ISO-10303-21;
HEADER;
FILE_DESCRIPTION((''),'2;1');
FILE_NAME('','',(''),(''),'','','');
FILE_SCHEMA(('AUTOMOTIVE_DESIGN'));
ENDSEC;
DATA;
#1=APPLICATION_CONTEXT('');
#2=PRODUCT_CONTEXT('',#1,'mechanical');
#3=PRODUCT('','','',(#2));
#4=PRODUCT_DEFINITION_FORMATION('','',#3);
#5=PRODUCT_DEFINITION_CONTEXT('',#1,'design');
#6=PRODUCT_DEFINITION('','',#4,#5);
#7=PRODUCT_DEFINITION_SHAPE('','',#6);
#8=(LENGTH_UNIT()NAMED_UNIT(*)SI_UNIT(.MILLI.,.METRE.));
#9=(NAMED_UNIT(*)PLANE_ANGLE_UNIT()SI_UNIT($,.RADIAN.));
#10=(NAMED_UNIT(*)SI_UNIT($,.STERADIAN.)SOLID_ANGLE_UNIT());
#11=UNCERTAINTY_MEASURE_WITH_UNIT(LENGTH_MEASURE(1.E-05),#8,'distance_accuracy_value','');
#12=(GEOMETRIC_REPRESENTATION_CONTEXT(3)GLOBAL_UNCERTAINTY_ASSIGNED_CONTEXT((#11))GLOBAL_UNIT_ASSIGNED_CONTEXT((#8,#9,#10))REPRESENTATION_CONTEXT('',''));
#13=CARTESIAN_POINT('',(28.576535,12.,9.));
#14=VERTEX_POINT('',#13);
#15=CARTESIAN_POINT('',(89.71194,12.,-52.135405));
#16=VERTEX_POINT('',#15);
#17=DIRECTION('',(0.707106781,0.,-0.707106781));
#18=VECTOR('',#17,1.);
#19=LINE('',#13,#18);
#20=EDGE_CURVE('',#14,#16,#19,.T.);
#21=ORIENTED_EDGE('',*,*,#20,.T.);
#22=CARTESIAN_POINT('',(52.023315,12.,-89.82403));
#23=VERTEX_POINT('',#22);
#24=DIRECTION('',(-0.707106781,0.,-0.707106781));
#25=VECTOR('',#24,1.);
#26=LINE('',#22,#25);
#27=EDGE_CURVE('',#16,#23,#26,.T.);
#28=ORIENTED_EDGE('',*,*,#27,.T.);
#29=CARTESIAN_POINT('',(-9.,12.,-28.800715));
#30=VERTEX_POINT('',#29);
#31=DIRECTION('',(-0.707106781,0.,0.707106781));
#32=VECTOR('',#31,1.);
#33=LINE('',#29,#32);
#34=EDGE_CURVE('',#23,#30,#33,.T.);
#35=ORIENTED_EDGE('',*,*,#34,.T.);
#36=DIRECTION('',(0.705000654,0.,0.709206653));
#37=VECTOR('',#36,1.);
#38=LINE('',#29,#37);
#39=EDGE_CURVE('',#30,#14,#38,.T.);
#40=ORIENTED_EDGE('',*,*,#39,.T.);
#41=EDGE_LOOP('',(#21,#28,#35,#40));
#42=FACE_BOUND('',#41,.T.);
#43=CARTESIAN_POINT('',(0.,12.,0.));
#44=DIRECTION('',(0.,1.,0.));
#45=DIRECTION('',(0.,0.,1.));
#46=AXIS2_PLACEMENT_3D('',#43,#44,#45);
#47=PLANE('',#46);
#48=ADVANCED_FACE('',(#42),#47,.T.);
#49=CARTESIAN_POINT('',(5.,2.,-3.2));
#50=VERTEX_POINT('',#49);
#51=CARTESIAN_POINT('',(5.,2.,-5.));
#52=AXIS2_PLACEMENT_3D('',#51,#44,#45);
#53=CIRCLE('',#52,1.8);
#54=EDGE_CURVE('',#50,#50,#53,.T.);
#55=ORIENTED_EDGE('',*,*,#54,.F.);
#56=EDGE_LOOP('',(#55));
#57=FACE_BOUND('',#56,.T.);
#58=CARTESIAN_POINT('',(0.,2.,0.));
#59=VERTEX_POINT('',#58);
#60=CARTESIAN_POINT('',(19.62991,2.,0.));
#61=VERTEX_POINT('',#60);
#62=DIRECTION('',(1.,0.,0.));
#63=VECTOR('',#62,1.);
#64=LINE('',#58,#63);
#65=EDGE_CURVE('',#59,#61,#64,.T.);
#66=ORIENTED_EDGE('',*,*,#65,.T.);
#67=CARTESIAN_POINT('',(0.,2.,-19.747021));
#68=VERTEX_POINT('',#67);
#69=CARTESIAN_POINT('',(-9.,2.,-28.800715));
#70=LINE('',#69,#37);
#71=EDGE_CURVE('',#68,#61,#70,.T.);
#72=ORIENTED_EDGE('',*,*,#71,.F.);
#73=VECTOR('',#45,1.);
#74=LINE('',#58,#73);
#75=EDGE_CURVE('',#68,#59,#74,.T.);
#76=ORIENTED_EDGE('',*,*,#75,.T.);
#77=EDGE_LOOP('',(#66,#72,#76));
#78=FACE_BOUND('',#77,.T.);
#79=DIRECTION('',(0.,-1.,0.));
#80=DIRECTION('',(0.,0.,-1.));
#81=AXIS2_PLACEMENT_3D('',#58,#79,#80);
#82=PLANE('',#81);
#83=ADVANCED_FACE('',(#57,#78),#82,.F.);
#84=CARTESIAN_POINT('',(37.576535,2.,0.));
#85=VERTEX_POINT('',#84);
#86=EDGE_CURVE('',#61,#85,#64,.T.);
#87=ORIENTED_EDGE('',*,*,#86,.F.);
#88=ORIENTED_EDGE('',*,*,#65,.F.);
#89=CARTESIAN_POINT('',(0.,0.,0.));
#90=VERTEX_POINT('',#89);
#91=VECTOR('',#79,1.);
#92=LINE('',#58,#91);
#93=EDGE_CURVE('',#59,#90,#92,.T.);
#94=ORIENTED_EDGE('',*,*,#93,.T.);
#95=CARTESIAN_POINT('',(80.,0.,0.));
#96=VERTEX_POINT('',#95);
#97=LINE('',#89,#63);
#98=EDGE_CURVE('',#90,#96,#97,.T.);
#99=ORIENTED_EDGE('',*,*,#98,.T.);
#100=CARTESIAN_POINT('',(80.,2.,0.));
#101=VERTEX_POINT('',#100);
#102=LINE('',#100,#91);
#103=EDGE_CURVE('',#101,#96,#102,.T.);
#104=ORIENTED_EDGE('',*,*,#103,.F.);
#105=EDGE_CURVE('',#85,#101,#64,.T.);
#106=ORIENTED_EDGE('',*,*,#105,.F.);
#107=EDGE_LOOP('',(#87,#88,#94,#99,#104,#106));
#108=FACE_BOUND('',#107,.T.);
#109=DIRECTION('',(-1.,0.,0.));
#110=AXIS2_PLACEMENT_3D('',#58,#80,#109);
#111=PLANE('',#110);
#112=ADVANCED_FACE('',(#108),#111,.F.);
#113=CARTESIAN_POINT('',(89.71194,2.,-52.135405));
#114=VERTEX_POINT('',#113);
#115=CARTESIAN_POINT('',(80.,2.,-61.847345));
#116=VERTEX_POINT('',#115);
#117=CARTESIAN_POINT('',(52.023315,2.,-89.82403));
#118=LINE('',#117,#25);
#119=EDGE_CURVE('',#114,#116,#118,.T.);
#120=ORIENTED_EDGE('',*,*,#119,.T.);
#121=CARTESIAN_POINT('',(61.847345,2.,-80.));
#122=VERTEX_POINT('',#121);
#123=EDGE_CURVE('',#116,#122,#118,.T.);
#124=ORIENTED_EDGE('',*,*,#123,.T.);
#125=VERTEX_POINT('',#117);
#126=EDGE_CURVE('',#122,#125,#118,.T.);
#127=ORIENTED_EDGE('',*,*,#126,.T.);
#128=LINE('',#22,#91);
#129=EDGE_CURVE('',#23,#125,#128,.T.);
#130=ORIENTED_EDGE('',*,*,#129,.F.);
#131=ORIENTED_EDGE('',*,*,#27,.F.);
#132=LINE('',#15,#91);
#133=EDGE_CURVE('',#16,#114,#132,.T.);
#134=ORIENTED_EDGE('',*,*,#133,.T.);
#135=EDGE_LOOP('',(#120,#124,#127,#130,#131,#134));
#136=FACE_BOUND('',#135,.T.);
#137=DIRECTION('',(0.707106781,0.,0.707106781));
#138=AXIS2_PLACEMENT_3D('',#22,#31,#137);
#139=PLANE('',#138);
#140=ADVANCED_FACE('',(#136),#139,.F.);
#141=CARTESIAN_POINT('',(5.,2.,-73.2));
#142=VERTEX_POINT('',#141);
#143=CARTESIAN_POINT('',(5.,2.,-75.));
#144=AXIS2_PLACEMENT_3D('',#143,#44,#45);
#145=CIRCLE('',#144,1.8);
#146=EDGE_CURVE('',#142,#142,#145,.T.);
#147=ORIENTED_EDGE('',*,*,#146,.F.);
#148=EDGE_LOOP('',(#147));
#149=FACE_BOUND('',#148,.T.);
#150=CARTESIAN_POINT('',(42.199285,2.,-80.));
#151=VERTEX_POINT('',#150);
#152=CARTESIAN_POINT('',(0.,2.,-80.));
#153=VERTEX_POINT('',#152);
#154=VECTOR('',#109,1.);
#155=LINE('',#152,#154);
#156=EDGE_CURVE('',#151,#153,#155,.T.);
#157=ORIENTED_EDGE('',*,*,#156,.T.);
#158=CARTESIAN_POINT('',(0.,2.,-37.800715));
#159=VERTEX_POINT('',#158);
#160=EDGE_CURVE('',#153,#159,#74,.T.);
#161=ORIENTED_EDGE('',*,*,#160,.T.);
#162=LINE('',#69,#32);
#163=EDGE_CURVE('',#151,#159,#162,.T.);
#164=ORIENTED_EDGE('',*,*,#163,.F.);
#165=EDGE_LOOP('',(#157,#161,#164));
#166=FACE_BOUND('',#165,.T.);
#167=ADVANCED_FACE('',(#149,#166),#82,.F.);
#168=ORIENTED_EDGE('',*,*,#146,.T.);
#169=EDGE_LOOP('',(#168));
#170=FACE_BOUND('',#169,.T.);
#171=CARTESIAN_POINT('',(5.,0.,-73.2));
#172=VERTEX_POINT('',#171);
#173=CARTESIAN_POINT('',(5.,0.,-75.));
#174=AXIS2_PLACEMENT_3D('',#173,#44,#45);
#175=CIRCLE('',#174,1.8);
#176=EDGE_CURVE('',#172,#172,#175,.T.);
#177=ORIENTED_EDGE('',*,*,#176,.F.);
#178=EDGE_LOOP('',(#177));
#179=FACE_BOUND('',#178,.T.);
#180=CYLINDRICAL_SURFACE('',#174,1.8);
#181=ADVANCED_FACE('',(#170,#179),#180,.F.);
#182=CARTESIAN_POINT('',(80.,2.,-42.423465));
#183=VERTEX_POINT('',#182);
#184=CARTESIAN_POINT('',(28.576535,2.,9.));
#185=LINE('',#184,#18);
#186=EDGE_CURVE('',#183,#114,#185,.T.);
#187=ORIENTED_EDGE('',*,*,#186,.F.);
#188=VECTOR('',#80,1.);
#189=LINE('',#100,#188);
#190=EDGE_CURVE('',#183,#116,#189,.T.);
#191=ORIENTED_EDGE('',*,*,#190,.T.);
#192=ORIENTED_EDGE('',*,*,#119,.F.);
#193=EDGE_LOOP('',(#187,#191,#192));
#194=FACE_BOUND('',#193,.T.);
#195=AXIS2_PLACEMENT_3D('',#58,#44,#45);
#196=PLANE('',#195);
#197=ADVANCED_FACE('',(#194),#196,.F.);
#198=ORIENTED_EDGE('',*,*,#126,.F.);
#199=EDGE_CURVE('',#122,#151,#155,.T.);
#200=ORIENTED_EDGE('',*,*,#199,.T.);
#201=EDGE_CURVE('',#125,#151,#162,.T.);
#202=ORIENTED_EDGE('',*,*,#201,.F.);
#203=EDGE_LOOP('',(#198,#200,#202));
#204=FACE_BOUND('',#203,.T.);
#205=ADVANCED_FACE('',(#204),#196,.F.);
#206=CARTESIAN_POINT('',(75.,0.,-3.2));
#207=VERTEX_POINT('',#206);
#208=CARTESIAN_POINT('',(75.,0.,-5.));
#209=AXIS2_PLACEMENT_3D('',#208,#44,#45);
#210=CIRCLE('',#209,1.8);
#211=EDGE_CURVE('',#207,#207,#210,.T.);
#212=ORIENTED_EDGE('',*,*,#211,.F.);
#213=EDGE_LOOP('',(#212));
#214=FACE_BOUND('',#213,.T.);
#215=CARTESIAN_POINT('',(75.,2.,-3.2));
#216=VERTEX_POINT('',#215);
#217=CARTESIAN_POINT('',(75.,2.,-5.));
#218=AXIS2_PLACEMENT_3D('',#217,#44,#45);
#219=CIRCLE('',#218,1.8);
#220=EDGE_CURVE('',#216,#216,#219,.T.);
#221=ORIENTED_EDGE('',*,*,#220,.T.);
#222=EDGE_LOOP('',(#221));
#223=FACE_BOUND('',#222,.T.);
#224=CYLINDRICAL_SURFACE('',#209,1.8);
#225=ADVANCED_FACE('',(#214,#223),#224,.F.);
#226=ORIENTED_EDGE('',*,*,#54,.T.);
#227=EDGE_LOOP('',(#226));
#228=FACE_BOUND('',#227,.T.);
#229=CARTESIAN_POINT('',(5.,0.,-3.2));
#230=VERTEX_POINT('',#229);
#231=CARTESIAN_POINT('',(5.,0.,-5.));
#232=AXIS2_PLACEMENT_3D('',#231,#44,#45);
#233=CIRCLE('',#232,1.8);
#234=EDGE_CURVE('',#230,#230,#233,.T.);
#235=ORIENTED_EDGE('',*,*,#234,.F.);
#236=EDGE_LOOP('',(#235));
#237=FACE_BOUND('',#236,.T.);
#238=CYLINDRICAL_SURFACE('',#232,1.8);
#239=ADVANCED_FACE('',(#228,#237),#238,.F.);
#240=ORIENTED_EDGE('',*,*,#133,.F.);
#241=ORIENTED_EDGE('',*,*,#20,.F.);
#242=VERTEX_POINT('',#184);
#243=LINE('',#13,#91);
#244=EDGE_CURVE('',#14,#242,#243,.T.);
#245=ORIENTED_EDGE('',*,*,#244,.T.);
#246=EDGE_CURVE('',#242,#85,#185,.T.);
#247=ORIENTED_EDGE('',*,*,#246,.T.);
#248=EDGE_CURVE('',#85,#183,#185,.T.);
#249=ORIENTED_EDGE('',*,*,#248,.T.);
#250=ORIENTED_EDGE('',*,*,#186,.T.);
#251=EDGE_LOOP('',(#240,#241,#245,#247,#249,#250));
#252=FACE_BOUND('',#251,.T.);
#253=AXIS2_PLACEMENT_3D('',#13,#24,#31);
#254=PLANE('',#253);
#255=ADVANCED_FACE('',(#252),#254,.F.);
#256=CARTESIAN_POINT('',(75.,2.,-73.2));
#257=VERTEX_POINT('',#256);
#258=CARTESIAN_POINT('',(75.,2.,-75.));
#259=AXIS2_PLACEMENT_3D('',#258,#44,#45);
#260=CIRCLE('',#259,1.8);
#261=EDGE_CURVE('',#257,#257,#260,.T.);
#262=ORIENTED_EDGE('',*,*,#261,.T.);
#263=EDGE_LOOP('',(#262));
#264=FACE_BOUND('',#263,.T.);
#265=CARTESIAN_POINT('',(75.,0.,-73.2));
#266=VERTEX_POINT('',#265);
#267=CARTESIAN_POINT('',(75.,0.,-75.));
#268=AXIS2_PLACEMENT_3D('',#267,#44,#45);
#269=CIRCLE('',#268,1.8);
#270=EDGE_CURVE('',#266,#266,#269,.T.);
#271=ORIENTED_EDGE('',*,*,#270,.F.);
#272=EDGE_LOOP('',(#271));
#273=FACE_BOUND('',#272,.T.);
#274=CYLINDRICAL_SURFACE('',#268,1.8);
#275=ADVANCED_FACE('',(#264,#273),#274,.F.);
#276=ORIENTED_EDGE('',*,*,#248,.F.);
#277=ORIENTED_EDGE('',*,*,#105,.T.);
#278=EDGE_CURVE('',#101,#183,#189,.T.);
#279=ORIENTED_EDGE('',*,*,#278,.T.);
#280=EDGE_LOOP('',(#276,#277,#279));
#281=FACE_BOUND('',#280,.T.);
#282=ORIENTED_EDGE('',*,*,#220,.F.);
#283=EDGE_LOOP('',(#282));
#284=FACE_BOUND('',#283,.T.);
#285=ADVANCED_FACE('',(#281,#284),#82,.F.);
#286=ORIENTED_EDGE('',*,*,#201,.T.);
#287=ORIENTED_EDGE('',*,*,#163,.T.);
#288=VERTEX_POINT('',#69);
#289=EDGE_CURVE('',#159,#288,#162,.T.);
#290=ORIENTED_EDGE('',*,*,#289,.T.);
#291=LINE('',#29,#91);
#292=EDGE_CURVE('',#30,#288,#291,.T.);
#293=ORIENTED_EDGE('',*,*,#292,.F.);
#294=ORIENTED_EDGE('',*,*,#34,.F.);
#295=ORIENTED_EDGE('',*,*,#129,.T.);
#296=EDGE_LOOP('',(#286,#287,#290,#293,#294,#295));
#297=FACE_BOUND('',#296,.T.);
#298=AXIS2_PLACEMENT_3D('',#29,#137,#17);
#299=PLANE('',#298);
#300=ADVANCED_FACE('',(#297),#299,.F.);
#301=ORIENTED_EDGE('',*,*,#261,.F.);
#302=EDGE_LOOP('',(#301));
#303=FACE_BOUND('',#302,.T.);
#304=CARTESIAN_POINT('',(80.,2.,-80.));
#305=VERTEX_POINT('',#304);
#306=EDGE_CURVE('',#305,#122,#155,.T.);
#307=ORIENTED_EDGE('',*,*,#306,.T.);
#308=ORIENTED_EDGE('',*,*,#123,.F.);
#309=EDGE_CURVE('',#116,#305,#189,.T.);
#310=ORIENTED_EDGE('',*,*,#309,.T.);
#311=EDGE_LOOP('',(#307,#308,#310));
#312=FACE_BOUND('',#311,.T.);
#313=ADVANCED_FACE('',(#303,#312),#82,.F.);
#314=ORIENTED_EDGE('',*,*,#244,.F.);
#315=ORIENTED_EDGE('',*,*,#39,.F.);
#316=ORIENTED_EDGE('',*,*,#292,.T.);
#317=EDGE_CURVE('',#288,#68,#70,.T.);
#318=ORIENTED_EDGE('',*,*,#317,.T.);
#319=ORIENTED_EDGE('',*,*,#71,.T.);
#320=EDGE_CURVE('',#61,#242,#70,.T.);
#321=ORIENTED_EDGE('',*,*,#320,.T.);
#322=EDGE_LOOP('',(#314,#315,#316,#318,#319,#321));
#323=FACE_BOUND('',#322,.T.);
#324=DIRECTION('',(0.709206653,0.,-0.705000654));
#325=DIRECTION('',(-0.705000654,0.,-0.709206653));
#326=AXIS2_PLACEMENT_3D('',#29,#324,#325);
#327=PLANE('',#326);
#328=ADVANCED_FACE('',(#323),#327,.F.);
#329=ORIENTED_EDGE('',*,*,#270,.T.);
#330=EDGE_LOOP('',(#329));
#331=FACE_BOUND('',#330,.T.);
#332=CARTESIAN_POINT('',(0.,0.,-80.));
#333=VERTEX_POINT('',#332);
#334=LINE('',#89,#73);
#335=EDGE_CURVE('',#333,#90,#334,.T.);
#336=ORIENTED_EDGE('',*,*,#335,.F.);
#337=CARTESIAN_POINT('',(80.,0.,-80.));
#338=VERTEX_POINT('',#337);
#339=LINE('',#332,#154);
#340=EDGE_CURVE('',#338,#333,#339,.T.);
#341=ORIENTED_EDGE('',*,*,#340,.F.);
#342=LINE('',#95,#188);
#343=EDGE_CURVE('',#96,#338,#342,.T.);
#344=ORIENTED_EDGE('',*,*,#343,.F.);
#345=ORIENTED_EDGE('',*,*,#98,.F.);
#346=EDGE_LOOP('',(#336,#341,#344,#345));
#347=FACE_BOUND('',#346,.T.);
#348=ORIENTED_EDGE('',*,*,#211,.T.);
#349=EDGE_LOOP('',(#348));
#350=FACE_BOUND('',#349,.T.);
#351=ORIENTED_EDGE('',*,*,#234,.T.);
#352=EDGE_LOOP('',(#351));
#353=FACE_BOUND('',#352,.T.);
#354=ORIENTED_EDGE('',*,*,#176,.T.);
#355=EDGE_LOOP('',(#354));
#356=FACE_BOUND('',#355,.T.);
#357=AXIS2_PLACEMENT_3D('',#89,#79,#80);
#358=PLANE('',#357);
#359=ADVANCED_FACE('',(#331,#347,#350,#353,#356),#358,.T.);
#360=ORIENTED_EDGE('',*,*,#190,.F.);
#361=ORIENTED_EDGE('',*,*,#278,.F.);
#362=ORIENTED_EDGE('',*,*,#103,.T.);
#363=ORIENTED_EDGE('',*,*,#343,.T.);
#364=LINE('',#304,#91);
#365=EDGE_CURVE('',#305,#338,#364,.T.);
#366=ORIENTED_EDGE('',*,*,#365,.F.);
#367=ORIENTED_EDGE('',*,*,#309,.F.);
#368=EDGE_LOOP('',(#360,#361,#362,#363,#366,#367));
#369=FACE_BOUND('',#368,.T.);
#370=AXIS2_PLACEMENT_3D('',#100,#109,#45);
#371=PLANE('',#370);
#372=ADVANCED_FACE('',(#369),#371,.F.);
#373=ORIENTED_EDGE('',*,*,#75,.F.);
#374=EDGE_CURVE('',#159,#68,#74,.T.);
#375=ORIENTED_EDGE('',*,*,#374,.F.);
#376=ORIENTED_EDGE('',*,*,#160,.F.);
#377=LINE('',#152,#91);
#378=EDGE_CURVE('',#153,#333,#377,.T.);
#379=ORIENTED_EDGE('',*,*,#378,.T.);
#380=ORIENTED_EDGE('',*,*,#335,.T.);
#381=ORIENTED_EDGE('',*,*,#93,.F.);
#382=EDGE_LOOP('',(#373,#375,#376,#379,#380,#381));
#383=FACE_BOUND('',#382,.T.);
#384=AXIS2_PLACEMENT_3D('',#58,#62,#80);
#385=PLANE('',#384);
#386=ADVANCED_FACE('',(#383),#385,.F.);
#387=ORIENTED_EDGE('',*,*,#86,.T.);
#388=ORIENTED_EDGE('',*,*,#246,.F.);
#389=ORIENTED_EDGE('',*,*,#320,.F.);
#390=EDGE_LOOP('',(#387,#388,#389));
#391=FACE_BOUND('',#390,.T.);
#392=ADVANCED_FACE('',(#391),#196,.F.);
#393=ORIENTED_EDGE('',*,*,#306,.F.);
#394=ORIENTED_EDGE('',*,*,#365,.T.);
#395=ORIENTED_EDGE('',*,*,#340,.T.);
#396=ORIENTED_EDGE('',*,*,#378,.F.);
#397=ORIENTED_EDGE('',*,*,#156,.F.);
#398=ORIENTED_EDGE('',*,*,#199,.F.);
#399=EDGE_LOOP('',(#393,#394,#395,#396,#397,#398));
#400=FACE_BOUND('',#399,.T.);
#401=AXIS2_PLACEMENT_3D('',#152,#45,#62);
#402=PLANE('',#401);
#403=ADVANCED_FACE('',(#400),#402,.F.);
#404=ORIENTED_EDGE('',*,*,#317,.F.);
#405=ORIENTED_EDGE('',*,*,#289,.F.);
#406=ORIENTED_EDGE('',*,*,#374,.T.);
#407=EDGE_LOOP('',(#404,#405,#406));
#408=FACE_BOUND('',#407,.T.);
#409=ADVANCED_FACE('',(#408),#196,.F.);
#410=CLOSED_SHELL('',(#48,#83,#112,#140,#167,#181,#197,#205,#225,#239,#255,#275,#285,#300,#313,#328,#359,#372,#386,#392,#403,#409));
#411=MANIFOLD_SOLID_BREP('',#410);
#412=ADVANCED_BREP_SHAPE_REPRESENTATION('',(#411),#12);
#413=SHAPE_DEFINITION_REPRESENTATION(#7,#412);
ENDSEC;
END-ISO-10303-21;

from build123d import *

# Parameters (mm, degrees)
SKETCH1_W              = 80
SKETCH1_H              = 80
PCB_DEPTH              = 2
SKETCH2_R              = 1.8
ATTACHMENT_HOLES_DEPTH = 3
LPATTERN1_COUNT        = 2
LPATTERN1_PITCH        = 70
LPATTERN1_COUNT_DIR2   = 2
LPATTERN1_PITCH_DIR2   = 70
IDUINO_DEPTH           = 10


with BuildPart() as part:
    # Sketch1 → PCB (new body)
    with BuildSketch(Plane(origin=(0, 0, 0), x_dir=(1, 0, 0), z_dir=(0, 1, 0))):
        with Locations((40, 40)):
            Rectangle(SKETCH1_W, SKETCH1_H)
    extrude(amount=PCB_DEPTH)

    # Sketch2 → Attachment Holes (cut, through all)
    with BuildSketch(Plane(origin=(0, 2, 0), x_dir=(1, 0, 0), z_dir=(0, 1, 0))):
        with Locations((5, 75)):
            Circle(SKETCH2_R)
    attachment_holes = extrude(amount=-ATTACHMENT_HOLES_DEPTH, mode=Mode.SUBTRACT)

    # LPattern1: Attachment Holes 2 × 2
    with Locations(*[(i * LPATTERN1_PITCH, 0, j * LPATTERN1_PITCH_DIR2) for i in range(LPATTERN1_COUNT) for j in range(LPATTERN1_COUNT_DIR2) if (i, j) != (0, 0)]):
        add(attachment_holes, mode=Mode.SUBTRACT)

    # Sketch3 → Iduino (add)
    with BuildSketch(Plane(origin=(0, 2, 0), x_dir=(1, 0, 0), z_dir=(0, 1, 0))):
        Polygon((-9, 28.800714626), (52.023315216, 89.824029842), (89.711939971, 52.135405088), (28.576534883, -9), align=None)
    extrude(amount=IDUINO_DEPTH)


solid = part.part
